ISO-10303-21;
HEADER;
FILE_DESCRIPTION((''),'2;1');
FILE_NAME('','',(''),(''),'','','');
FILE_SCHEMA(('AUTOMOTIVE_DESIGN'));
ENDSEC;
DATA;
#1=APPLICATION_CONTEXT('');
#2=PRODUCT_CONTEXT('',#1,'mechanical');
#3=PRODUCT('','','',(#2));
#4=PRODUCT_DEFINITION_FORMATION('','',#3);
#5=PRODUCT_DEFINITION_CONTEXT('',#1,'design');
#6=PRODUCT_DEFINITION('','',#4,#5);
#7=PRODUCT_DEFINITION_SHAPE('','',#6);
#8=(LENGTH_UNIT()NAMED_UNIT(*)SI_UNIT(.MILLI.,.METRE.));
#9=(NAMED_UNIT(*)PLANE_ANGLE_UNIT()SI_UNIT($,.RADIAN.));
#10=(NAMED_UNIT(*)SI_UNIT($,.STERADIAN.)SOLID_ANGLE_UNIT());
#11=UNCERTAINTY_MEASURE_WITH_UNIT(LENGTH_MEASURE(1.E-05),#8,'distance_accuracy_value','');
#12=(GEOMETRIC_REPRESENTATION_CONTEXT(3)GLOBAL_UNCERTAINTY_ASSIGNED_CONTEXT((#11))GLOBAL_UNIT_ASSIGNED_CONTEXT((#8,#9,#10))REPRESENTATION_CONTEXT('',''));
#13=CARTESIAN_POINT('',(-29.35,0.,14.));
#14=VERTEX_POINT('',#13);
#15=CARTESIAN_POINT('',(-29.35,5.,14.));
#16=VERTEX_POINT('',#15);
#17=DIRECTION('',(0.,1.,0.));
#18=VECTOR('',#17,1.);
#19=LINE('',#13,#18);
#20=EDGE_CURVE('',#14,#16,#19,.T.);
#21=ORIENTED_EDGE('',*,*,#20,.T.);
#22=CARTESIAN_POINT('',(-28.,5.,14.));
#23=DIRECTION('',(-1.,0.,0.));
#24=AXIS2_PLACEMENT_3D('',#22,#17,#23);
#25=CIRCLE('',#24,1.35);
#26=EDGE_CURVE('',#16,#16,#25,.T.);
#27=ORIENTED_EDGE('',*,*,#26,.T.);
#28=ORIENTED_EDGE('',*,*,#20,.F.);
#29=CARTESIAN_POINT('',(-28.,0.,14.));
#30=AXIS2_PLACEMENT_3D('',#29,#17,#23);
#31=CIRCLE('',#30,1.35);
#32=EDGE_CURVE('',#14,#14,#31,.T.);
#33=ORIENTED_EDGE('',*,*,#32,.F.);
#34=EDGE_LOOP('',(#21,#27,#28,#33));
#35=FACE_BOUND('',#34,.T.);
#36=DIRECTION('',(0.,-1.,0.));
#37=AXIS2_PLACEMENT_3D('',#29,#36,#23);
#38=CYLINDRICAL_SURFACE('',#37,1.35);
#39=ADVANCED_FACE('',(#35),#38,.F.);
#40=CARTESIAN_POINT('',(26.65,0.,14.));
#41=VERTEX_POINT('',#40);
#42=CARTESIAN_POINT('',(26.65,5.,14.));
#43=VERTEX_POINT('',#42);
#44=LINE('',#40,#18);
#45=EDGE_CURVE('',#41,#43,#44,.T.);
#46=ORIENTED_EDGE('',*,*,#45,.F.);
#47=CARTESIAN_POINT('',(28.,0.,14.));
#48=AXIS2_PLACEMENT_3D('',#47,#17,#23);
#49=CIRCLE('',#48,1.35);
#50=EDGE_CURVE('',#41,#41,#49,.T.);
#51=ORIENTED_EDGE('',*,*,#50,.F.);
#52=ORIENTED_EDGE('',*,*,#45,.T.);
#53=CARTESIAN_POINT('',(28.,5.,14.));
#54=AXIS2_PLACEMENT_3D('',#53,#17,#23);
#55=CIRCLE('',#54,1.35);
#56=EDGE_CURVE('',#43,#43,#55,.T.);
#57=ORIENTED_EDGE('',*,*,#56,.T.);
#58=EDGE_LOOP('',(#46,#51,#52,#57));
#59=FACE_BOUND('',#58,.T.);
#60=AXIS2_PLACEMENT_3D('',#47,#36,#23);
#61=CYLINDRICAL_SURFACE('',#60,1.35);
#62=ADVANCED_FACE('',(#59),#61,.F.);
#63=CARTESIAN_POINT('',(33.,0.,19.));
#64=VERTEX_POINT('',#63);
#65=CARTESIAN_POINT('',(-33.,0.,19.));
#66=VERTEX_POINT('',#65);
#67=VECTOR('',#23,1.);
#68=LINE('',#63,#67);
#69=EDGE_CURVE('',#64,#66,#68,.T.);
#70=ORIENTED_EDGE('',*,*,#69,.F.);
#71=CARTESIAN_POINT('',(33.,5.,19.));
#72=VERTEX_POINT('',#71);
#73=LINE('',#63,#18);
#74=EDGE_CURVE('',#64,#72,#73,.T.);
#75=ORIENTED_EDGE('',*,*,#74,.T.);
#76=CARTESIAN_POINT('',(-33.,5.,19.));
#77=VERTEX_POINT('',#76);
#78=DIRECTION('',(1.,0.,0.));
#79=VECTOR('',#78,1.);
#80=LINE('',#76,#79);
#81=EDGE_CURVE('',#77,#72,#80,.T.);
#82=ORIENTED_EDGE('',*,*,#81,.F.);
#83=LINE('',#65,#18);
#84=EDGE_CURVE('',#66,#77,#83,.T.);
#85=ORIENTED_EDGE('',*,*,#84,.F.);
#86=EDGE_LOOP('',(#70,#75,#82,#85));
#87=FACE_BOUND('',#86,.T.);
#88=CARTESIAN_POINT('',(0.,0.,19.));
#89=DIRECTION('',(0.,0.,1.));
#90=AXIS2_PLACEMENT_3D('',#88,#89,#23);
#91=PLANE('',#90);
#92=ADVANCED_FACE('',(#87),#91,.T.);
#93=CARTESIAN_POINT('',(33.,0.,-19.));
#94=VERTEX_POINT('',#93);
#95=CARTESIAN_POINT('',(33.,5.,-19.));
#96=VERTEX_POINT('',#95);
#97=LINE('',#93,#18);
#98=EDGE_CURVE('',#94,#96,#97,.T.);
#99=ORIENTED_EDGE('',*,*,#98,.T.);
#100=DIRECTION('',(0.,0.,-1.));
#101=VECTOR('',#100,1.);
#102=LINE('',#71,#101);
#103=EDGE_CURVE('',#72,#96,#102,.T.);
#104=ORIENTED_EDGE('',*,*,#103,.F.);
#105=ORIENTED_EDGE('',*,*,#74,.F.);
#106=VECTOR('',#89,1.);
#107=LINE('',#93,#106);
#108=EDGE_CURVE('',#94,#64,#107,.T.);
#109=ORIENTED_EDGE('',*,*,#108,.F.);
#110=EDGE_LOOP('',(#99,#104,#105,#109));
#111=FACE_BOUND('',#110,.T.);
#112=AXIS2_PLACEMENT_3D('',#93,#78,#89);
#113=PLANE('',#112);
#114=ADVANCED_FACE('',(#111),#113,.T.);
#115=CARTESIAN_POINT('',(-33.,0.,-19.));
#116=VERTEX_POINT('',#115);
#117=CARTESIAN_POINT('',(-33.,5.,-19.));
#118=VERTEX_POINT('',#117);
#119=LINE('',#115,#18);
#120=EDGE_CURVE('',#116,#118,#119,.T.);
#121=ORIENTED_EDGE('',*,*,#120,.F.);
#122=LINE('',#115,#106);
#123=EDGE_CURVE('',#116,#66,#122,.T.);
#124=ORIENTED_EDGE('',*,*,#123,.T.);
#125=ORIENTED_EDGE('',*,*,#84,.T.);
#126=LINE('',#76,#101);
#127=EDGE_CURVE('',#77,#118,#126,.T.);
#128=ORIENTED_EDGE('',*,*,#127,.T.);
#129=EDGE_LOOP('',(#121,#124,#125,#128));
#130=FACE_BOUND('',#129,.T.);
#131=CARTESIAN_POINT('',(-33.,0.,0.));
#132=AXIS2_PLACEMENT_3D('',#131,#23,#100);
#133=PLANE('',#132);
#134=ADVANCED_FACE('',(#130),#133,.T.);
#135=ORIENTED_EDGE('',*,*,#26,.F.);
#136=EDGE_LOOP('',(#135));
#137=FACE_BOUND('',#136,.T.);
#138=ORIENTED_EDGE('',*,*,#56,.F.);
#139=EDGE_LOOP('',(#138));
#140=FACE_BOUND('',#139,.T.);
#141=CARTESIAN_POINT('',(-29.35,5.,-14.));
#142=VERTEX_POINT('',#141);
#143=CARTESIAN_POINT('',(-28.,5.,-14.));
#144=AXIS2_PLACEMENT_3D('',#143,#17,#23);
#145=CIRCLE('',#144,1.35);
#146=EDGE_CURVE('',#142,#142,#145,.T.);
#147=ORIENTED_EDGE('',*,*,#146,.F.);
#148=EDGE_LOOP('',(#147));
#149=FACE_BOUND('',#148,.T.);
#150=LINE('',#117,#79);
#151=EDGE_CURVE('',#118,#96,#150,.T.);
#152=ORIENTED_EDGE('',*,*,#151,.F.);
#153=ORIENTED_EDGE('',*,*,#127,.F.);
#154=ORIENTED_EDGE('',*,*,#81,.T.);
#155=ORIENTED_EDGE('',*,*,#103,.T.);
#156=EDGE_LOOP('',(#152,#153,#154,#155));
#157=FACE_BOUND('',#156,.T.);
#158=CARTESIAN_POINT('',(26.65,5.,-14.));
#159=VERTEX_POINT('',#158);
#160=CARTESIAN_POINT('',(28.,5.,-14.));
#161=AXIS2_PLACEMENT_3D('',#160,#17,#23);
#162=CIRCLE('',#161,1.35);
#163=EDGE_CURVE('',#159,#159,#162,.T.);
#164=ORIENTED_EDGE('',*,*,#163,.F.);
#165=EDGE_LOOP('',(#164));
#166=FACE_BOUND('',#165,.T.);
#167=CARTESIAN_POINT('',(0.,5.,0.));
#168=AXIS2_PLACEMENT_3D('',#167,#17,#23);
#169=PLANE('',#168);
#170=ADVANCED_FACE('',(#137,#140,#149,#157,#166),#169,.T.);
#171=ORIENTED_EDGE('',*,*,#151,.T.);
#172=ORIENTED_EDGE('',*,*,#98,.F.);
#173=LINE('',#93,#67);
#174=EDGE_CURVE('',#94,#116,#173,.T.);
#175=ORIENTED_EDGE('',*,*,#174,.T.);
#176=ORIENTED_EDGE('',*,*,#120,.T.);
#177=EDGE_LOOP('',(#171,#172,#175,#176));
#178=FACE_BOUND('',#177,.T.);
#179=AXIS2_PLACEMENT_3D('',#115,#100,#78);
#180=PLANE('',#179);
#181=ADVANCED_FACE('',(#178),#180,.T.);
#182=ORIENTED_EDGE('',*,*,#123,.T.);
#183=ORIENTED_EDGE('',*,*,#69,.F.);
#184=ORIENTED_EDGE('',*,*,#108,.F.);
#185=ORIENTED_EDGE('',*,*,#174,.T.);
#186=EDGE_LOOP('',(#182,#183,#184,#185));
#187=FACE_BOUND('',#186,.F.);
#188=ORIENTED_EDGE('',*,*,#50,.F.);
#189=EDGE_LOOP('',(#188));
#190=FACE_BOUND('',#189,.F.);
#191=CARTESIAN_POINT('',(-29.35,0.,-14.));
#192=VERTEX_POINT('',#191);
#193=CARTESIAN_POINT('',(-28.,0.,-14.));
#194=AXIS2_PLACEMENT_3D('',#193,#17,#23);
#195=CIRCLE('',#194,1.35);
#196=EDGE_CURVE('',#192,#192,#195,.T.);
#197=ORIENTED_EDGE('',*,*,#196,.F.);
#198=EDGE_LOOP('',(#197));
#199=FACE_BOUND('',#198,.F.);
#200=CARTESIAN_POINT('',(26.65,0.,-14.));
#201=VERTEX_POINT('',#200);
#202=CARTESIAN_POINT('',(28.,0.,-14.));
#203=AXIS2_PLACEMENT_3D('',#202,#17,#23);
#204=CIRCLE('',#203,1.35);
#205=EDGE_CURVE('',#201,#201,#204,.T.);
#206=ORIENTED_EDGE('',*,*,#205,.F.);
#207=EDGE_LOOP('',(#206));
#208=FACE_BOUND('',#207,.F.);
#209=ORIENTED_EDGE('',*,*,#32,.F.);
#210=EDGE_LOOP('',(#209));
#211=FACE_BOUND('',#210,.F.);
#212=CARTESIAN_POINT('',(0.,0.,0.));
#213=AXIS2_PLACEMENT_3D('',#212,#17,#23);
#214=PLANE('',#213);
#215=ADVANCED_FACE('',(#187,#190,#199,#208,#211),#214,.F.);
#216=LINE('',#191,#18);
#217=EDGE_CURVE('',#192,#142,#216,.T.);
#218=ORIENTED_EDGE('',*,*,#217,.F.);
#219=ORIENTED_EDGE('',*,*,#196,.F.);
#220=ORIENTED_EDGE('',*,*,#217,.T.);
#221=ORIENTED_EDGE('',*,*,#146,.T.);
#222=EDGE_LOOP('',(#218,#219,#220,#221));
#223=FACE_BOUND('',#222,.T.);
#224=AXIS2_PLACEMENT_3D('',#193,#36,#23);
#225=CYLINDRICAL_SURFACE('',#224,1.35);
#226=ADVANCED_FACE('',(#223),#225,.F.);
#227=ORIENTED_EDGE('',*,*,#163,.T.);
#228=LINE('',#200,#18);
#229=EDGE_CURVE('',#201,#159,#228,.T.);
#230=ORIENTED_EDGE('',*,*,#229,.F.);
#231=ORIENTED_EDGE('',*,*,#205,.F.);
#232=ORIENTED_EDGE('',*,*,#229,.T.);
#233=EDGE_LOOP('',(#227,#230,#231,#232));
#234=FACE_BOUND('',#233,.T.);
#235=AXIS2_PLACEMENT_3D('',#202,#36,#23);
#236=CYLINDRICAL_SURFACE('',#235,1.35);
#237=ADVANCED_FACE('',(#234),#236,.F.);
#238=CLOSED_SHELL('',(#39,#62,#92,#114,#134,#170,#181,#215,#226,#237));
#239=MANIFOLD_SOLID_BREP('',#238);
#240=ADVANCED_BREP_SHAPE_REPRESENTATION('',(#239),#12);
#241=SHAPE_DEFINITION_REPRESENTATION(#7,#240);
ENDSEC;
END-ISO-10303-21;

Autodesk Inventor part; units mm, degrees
ref_plane "YZ Plane" through (0, 0, 0) normal (1, 0, 0) x (0, 1, 0)
ref_plane "XZ Plane" through (0, 0, 0) normal (0, 1, 0) x (-1, 0, 0)
ref_plane "XY Plane" through (0, 0, 0) normal (0, 0, 1) x (1, 0, 0)
sketch "Эскиз1" plane through (0, 0, 0) normal (0, 1, 0) x (-1, 0, 0)
  line L0 (33, -19) -> (-33, -19)
  line L1 (-33, -19) -> (-33, 19)
  line L2 (-33, 19) -> (33, 19)
  line L3 (33, 19) -> (33, -19)
  line L4 (0, -26.6) -> (0, 26.6) projected
  line L5 (46.2, 0) -> (-46.2, 0) projected
  circle A0 centre (28, -14) radius 1.35
  circle A1 centre (28, 14) radius 1.35
  circle A2 centre (-28, -14) radius 1.35
  circle A3 centre (-28, 14) radius 1.35
  point P0 (0, 0)
  dimension "d0" = 66
  dimension "d1" = 38
  dimension "d11" = 2.7
  dimension "d12" = 5
  dimension "d13" = 5
extrude "Выдавливание1" add sketch "Эскиз1" along normal blind 5
properties part number "драйвер двигателя"
